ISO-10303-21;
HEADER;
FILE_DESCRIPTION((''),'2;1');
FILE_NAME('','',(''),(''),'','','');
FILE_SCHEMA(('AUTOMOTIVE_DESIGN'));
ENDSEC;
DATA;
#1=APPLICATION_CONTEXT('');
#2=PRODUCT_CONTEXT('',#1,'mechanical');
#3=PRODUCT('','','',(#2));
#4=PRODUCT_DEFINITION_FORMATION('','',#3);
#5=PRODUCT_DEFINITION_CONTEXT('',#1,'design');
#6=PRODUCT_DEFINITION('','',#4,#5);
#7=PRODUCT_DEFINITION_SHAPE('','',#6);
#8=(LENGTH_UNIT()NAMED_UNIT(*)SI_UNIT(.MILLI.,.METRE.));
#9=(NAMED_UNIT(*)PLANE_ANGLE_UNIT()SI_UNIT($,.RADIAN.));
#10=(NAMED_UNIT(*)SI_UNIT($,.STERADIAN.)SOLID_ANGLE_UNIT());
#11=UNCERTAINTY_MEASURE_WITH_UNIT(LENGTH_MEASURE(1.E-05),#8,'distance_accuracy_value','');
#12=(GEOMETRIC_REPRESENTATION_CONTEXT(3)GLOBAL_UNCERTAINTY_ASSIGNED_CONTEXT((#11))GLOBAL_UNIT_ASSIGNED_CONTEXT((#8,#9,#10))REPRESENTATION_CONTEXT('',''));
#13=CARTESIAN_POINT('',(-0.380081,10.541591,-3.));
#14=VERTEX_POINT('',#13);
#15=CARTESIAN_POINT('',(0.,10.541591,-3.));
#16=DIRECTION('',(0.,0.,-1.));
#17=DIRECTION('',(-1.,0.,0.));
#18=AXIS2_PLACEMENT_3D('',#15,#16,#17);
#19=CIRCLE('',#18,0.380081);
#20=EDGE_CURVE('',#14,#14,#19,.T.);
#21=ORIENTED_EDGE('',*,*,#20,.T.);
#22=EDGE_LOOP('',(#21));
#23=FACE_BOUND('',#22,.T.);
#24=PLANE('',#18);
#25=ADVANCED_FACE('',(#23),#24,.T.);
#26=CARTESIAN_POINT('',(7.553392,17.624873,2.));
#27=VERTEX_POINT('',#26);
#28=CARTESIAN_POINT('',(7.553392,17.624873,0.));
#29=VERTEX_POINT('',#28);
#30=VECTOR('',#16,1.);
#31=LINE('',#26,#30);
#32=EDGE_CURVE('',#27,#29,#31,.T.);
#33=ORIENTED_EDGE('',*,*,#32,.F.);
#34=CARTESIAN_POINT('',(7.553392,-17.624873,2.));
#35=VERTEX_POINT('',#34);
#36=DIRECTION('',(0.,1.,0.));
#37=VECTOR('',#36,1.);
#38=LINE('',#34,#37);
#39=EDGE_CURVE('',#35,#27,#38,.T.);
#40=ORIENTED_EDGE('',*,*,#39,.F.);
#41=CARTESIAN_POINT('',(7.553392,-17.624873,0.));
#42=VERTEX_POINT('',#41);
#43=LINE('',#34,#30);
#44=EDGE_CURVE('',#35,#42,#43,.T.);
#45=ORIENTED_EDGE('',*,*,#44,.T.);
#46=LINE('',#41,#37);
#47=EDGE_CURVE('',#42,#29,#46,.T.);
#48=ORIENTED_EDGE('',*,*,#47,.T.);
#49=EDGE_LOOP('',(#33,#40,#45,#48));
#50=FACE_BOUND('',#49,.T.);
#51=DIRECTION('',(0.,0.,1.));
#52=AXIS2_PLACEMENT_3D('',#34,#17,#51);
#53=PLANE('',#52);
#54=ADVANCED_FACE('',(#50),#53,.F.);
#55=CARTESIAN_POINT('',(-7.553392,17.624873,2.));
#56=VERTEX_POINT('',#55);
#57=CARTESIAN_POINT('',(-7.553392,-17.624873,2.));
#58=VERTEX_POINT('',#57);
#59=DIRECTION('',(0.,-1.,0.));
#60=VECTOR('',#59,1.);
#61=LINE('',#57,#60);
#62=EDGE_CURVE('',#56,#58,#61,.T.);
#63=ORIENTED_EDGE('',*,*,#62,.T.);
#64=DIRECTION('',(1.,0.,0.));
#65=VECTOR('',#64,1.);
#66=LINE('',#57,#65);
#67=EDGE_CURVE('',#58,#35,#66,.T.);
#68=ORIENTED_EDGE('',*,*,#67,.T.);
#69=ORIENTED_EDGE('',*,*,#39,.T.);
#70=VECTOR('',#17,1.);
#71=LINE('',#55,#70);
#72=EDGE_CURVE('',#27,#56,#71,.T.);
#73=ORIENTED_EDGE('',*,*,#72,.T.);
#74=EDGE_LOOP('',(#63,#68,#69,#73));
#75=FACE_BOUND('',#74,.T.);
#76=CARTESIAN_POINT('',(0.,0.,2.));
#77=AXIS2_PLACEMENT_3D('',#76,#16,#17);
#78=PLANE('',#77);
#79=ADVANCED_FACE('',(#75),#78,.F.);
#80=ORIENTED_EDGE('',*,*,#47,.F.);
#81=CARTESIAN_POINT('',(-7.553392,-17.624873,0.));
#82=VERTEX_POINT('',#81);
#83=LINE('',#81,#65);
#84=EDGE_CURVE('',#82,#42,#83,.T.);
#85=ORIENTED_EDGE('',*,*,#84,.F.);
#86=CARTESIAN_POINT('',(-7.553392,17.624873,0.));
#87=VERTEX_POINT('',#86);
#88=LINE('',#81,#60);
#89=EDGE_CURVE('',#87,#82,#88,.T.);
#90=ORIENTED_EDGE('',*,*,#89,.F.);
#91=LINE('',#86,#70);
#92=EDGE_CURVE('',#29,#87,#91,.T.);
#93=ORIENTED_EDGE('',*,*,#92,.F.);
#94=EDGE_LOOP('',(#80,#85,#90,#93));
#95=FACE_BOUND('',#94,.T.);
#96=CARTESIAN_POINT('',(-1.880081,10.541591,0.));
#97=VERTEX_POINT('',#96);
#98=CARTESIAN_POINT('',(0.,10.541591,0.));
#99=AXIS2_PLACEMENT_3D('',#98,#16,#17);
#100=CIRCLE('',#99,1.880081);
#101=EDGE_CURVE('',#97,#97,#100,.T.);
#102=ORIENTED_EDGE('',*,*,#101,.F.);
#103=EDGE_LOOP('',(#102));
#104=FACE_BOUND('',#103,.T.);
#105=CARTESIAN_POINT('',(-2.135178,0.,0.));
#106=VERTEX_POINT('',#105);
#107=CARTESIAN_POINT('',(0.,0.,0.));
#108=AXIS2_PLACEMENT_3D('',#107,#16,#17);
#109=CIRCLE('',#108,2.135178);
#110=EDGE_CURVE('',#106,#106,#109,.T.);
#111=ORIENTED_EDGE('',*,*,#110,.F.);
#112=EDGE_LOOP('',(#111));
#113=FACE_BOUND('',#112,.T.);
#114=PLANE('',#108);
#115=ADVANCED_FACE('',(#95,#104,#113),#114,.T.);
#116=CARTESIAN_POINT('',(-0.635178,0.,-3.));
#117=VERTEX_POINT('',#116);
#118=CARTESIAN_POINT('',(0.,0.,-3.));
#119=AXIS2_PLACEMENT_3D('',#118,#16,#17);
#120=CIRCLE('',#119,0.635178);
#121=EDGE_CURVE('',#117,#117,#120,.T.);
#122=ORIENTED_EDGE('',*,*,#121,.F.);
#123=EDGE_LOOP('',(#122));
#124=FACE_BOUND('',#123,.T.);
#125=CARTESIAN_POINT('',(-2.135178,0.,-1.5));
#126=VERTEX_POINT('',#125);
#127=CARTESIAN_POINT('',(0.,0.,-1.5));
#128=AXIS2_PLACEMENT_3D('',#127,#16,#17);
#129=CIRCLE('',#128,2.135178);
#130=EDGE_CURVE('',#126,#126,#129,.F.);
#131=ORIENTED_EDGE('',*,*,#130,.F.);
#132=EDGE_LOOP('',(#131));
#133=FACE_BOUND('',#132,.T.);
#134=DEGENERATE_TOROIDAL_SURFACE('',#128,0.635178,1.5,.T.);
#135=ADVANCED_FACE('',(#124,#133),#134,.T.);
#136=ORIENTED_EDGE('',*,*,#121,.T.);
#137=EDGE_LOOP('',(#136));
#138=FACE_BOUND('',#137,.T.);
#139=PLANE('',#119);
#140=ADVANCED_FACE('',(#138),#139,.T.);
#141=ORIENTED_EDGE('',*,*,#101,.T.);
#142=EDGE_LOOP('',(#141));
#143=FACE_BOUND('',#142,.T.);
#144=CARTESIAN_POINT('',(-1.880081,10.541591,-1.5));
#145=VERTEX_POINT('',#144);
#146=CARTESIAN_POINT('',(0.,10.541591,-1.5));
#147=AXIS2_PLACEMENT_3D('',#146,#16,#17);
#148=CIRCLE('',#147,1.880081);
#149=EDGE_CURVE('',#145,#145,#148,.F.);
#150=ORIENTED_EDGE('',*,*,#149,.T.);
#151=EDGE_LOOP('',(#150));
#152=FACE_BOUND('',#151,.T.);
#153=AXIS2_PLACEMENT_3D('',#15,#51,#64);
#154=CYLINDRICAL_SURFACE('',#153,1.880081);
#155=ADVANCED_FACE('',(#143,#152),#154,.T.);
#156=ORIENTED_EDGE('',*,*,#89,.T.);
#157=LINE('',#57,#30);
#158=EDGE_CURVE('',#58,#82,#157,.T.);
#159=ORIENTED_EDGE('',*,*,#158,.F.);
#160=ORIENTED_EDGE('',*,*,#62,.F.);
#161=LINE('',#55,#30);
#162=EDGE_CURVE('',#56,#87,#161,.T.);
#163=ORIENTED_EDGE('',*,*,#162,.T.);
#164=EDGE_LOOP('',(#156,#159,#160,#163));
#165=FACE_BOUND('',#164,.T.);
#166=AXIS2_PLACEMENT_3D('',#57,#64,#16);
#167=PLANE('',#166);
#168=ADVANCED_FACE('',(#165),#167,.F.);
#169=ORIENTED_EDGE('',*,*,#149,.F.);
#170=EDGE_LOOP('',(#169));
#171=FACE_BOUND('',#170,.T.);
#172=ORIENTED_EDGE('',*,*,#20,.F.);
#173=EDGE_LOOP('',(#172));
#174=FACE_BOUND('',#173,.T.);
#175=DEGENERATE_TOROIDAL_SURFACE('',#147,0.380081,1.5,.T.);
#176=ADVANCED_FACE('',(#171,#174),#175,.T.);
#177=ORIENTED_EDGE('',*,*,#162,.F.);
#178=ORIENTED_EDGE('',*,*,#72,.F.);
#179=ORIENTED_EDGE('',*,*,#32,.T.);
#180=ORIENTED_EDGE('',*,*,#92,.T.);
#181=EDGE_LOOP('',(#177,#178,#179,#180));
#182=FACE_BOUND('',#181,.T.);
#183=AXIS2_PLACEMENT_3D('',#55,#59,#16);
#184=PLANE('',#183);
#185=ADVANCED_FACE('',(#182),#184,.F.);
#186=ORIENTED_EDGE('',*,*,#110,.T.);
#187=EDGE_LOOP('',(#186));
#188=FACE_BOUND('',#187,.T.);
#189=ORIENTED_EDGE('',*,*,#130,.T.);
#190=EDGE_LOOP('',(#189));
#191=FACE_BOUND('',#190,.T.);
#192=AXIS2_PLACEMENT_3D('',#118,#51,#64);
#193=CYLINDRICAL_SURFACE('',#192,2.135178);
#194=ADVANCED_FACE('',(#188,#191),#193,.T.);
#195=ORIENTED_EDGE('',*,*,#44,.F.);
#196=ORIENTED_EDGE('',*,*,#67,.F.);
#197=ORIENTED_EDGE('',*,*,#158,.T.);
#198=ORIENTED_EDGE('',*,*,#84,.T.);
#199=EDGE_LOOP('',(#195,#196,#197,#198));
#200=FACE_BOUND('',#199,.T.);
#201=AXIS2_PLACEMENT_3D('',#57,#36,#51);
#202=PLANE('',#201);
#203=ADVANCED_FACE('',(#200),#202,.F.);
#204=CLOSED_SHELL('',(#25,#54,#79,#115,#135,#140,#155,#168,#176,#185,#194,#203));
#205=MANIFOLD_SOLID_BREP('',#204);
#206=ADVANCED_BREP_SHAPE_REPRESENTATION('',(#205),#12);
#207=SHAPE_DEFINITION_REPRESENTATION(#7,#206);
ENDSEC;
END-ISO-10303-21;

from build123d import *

# Parameters (mm, degrees)
SKETCH1_W           = 15.106784102
SKETCH1_H           = 35.249746584
BOSS_EXTRUDE1_DEPTH = 2
SKETCH2_R           = 1.880080874
SKETCH2_R_2         = 2.135178256
BOSS_EXTRUDE2_DEPTH = 3
FILLET1_R           = 1.5


with BuildPart() as part:
    # Sketch1 → Boss-Extrude1 (new body)
    with BuildSketch(Plane.XY):
        Rectangle(SKETCH1_W, SKETCH1_H)
    extrude(amount=BOSS_EXTRUDE1_DEPTH)

    # Sketch2 → Boss-Extrude2 (add)
    with BuildSketch(Plane(origin=(0, 0, 0), x_dir=(-1, 0, 0), z_dir=(0, 0, -1))):
        with Locations((0, 10.541590628)):
            Circle(SKETCH2_R)
        Circle(SKETCH2_R_2)
    extrude(amount=BOSS_EXTRUDE2_DEPTH)

    # Fillet1
    fillet1_edges = [part.edges().sort_by_distance(p)[0] for p in [
        (1.880080874, 10.541590628, -3),
        (2.135178256, 0, -3),
    ]]
    fillet(fillet1_edges, radius=FILLET1_R)


solid = part.part
